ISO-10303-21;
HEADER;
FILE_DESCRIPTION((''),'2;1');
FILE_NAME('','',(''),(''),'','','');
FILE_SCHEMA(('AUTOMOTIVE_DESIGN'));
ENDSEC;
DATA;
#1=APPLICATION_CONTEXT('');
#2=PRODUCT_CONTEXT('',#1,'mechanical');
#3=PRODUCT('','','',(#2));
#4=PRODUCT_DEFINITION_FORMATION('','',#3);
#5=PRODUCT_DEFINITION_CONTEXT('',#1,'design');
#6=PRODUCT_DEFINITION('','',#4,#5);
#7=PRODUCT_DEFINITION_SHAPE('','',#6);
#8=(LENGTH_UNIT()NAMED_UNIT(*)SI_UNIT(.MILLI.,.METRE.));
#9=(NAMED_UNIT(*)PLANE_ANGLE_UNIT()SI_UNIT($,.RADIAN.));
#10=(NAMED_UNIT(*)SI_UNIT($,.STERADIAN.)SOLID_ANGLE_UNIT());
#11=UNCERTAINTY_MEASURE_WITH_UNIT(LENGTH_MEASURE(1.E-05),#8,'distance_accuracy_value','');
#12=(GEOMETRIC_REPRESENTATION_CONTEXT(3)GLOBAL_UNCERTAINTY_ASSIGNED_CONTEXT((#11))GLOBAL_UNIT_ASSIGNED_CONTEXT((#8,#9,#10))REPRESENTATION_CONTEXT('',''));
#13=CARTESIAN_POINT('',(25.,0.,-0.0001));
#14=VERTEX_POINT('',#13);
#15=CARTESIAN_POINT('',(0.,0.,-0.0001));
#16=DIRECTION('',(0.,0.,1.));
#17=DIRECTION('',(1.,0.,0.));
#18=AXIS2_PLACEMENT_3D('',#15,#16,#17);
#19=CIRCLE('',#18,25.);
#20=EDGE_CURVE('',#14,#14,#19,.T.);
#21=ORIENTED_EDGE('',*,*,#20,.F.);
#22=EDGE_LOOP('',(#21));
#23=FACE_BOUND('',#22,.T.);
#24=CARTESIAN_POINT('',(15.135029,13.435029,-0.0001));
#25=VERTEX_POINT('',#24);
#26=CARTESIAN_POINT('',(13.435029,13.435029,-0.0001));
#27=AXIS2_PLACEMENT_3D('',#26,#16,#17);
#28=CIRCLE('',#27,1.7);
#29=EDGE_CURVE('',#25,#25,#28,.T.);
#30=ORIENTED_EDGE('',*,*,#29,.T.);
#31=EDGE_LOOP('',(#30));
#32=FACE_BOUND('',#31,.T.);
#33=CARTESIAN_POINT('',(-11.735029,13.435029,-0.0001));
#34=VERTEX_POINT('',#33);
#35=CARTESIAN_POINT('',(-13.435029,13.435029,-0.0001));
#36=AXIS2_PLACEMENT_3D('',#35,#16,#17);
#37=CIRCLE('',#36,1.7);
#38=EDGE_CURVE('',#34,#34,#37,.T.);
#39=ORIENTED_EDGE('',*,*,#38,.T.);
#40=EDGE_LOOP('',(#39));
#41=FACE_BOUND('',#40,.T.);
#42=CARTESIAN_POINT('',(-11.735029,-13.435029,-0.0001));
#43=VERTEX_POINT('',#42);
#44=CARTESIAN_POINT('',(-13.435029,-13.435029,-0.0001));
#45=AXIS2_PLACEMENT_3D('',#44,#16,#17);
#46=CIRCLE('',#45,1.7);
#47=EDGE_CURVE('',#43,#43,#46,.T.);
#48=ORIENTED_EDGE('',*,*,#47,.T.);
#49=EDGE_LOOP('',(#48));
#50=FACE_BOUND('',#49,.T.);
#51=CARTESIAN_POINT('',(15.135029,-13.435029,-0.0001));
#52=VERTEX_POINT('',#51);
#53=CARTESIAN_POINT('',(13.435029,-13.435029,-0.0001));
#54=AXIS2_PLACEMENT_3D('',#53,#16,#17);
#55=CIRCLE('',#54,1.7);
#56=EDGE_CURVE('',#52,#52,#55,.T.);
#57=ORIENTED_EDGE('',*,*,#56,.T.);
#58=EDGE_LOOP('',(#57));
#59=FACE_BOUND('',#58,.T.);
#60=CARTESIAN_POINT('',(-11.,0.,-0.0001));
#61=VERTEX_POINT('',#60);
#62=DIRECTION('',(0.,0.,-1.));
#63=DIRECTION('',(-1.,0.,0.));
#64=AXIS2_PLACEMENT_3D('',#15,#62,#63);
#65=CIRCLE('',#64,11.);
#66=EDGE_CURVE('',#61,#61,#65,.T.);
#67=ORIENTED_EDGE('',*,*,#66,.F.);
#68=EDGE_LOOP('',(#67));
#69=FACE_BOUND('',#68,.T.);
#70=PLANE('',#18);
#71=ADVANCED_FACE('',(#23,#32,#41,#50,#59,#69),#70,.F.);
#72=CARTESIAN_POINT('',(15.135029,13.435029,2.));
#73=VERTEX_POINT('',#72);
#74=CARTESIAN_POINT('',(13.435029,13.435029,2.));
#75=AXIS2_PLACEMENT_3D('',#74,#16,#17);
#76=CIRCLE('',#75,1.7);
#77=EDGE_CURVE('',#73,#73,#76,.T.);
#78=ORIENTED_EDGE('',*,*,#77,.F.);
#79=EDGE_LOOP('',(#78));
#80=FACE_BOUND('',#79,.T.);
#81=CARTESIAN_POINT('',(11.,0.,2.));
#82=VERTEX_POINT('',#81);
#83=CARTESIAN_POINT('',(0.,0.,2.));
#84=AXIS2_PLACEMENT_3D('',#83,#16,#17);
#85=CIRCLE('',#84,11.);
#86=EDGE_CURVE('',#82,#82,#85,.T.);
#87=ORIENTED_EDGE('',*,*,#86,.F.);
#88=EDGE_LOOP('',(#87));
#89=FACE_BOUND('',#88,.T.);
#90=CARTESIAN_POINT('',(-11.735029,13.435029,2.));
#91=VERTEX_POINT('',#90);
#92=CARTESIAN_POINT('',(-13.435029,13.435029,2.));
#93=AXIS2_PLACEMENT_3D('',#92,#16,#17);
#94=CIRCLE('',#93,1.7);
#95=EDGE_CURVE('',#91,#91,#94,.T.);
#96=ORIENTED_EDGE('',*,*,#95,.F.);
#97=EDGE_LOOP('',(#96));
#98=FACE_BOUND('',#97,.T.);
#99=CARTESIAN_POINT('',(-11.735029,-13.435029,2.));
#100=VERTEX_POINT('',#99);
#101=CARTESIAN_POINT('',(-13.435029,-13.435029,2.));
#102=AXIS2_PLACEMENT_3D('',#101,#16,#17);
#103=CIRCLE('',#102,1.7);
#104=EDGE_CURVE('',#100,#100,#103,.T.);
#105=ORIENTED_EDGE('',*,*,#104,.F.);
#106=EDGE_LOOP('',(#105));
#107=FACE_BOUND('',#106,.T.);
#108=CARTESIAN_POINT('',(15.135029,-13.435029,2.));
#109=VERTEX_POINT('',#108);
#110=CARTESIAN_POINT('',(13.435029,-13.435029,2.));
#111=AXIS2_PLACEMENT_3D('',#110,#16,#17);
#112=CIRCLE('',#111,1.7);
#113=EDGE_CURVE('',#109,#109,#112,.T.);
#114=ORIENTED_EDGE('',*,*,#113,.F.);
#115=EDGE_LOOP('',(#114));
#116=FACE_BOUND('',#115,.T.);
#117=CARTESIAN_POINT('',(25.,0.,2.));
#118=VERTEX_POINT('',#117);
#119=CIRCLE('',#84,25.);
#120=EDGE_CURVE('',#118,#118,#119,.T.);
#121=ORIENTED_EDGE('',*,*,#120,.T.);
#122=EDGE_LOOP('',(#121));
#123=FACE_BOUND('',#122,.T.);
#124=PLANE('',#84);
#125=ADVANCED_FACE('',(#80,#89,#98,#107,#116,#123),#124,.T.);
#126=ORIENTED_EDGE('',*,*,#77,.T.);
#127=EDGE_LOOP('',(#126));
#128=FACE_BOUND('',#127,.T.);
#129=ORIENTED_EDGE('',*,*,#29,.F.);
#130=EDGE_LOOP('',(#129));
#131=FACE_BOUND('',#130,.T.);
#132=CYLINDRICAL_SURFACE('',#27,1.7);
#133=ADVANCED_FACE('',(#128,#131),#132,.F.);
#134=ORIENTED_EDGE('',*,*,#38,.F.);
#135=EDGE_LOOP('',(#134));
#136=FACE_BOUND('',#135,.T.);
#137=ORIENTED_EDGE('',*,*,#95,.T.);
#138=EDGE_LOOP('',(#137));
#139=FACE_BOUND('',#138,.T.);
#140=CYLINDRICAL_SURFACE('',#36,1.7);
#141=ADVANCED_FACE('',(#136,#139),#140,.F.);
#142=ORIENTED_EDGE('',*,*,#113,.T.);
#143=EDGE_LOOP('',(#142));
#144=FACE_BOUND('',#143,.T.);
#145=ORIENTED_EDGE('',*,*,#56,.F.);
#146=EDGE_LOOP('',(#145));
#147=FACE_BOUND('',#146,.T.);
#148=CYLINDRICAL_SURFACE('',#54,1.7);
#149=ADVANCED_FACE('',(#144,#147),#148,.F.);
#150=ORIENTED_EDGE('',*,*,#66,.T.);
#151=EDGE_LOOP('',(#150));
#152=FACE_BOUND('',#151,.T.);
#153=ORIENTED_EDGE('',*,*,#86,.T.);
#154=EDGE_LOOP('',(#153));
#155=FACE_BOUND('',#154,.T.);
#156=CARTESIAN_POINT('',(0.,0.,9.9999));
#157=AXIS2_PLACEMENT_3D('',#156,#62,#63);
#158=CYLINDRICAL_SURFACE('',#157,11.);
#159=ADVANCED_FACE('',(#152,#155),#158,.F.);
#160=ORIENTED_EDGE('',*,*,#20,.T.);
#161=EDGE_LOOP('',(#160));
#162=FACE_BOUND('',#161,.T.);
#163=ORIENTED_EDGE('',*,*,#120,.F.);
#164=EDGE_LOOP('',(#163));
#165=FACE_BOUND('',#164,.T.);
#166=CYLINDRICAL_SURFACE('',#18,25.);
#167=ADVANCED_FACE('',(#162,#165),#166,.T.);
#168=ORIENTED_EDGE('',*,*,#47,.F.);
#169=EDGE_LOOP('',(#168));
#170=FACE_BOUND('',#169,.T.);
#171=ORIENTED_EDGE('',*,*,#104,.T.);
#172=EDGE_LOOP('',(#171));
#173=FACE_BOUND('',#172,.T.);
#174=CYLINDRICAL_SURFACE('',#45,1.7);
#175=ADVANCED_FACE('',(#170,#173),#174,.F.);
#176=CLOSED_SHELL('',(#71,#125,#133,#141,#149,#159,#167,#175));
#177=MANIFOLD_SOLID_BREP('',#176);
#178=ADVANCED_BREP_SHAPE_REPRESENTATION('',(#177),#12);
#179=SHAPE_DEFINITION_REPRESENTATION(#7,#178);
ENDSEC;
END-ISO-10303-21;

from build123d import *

# Parameters (mm, degrees)
BOSS_EXTRU_1_DEPTH      = 2
BOSS_EXTRU_1_DEPTH_BACK = 0.0001
ESQUISSE1_R             = 25
ESQUISSE1_R_2           = 1.7
ESQUISSE2_R             = 11
ENL_V_MAT_EXTRU_1_DEPTH = 10


with BuildPart() as part:
    # Esquisse1 → Boss.-Extru.1 (new, two sides: drawn at the far end of the back side and taken through both)
    with BuildSketch(Plane.XY.offset(-BOSS_EXTRU_1_DEPTH_BACK)):
        Circle(ESQUISSE1_R)
        with Locations((-13.435028843, 13.435028843)):
            Circle(ESQUISSE1_R_2, mode=Mode.SUBTRACT)
        with Locations((13.435028843, 13.435028843)):
            Circle(ESQUISSE1_R_2, mode=Mode.SUBTRACT)
        with Locations((13.435028843, -13.435028843)):
            Circle(ESQUISSE1_R_2, mode=Mode.SUBTRACT)
        with Locations((-13.435028843, -13.435028843)):
            Circle(ESQUISSE1_R_2, mode=Mode.SUBTRACT)
    extrude(amount=BOSS_EXTRU_1_DEPTH + BOSS_EXTRU_1_DEPTH_BACK)

    # Esquisse2 → Enlèv. mat.-Extru.1 (cut)
    with BuildSketch(Plane(origin=(0, 0, -0.0001), x_dir=(-1, 0, 0), z_dir=(0, 0, -1))):
        Circle(ESQUISSE2_R)
    extrude(amount=-ENL_V_MAT_EXTRU_1_DEPTH, mode=Mode.SUBTRACT)


solid = part.part
